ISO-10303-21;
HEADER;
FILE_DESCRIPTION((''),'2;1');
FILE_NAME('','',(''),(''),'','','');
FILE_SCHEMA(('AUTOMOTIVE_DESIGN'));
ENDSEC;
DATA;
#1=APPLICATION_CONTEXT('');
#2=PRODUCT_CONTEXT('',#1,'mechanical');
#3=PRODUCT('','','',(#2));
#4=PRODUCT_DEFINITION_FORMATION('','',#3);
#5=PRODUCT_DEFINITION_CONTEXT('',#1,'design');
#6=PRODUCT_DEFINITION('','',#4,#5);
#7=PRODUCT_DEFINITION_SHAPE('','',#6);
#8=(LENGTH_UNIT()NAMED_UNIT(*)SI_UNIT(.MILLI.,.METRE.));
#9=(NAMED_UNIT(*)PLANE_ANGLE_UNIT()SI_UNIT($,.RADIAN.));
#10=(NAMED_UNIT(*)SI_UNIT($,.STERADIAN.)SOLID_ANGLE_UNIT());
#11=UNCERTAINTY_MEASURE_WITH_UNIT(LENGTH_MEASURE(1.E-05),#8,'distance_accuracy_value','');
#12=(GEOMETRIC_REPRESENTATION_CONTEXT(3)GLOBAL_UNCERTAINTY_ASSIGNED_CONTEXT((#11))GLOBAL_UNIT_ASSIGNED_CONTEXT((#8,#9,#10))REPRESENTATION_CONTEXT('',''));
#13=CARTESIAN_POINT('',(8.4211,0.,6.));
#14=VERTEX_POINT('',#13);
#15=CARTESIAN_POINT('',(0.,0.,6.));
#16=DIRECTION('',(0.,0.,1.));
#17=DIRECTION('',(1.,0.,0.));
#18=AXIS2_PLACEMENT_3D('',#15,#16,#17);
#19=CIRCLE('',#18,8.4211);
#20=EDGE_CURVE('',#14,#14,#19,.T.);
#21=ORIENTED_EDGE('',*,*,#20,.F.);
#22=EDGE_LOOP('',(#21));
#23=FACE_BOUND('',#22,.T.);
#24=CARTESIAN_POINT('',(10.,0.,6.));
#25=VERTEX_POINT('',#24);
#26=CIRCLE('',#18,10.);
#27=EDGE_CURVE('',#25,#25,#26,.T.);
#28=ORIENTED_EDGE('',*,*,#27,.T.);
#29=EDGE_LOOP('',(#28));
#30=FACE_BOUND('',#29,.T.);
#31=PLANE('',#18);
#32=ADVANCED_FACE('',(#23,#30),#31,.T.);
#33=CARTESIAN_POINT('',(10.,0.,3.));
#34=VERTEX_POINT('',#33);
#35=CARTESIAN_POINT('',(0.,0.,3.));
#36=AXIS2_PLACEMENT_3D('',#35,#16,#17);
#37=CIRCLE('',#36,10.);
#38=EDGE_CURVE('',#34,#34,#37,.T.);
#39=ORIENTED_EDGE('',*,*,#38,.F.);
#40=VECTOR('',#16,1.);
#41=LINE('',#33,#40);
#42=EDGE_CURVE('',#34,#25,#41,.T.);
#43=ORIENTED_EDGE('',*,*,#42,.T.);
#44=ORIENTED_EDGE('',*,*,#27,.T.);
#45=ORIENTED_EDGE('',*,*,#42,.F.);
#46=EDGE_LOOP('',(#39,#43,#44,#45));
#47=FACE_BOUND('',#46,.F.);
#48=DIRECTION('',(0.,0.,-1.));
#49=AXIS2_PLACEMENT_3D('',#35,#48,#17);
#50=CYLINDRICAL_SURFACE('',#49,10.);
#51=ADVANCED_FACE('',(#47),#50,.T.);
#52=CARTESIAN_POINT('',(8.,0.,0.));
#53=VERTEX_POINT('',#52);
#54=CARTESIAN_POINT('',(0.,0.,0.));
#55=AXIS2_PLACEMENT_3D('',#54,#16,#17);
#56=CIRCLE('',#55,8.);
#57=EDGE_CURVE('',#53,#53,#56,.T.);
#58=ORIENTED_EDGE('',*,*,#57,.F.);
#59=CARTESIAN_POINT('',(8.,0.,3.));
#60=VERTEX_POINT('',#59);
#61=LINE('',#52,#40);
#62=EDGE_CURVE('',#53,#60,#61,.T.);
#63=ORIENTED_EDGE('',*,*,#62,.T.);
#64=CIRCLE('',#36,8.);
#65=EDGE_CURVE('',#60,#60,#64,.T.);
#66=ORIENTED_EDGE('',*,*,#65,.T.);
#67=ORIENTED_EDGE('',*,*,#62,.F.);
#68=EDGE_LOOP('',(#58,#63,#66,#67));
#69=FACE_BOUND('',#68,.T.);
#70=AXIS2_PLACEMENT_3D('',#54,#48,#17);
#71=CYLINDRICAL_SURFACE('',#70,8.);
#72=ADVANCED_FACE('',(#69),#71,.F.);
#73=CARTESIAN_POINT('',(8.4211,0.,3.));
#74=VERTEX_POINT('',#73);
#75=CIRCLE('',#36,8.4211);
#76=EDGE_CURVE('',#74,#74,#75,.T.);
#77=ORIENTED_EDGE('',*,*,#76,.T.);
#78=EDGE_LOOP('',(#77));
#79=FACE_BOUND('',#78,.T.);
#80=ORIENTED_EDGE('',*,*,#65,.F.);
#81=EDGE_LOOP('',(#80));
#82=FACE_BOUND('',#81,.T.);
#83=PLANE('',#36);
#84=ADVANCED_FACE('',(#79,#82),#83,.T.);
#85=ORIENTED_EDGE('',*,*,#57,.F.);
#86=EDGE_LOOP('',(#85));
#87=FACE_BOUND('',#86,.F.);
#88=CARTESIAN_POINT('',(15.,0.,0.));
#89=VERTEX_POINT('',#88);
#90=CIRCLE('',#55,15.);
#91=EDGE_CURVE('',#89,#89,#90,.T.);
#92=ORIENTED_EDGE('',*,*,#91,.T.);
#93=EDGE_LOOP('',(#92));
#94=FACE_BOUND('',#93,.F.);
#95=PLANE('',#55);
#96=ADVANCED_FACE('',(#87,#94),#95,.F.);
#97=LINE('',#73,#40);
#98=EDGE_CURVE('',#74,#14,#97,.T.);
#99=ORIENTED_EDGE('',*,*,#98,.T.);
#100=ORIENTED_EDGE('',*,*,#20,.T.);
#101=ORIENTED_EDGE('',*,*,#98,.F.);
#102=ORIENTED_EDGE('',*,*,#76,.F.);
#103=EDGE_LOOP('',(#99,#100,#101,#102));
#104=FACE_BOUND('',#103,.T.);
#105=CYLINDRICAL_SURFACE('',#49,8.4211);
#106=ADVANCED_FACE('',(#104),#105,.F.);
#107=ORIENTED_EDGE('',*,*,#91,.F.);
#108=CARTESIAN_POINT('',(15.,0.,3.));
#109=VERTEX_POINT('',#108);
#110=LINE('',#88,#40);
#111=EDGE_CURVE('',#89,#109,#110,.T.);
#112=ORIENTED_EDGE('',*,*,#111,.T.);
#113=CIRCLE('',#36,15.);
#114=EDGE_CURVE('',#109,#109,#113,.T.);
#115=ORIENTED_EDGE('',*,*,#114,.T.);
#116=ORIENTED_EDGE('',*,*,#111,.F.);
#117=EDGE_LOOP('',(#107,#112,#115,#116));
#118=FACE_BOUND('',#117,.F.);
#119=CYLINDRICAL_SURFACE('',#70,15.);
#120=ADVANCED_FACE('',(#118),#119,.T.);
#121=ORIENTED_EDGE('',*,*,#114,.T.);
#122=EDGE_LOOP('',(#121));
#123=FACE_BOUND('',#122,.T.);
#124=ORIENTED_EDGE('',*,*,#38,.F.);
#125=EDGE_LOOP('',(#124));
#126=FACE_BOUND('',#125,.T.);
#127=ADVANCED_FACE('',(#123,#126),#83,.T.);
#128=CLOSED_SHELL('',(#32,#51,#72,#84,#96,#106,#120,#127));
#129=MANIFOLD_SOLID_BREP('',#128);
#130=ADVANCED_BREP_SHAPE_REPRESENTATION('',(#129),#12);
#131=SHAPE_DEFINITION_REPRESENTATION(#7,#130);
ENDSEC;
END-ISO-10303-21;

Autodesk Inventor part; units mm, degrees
ref_plane "YZ Plane" through (0, 0, 0) normal (1, 0, 0) x (0, 1, 0)
ref_plane "XZ Plane" through (0, 0, 0) normal (0, 1, 0) x (-1, 0, 0)
ref_plane "XY Plane" through (0, 0, 0) normal (0, 0, 1) x (1, 0, 0)
sketch "Sketch1" plane through (0, 0, 0) normal (0, 0, 1) x (1, 0, 0)
  circle A0 centre (0, 0) radius 8
  circle A1 centre (0, 0) radius 15
  dimension "d0" = 16
  dimension "d1" = 30
extrude "Extrusion1" add sketch "Sketch1" along normal blind 3
sketch "Sketch2" plane through (0, 0, 3) normal (0, 0, 1) x (1, 0, 0)
  circle A0 centre (0, 0) radius 8.4211
  circle A1 centre (0, 0) radius 10
  dimension "d4" = 20
extrude "Extrusion2" add sketch "Sketch2" along normal blind 3
properties part number "bushing"
